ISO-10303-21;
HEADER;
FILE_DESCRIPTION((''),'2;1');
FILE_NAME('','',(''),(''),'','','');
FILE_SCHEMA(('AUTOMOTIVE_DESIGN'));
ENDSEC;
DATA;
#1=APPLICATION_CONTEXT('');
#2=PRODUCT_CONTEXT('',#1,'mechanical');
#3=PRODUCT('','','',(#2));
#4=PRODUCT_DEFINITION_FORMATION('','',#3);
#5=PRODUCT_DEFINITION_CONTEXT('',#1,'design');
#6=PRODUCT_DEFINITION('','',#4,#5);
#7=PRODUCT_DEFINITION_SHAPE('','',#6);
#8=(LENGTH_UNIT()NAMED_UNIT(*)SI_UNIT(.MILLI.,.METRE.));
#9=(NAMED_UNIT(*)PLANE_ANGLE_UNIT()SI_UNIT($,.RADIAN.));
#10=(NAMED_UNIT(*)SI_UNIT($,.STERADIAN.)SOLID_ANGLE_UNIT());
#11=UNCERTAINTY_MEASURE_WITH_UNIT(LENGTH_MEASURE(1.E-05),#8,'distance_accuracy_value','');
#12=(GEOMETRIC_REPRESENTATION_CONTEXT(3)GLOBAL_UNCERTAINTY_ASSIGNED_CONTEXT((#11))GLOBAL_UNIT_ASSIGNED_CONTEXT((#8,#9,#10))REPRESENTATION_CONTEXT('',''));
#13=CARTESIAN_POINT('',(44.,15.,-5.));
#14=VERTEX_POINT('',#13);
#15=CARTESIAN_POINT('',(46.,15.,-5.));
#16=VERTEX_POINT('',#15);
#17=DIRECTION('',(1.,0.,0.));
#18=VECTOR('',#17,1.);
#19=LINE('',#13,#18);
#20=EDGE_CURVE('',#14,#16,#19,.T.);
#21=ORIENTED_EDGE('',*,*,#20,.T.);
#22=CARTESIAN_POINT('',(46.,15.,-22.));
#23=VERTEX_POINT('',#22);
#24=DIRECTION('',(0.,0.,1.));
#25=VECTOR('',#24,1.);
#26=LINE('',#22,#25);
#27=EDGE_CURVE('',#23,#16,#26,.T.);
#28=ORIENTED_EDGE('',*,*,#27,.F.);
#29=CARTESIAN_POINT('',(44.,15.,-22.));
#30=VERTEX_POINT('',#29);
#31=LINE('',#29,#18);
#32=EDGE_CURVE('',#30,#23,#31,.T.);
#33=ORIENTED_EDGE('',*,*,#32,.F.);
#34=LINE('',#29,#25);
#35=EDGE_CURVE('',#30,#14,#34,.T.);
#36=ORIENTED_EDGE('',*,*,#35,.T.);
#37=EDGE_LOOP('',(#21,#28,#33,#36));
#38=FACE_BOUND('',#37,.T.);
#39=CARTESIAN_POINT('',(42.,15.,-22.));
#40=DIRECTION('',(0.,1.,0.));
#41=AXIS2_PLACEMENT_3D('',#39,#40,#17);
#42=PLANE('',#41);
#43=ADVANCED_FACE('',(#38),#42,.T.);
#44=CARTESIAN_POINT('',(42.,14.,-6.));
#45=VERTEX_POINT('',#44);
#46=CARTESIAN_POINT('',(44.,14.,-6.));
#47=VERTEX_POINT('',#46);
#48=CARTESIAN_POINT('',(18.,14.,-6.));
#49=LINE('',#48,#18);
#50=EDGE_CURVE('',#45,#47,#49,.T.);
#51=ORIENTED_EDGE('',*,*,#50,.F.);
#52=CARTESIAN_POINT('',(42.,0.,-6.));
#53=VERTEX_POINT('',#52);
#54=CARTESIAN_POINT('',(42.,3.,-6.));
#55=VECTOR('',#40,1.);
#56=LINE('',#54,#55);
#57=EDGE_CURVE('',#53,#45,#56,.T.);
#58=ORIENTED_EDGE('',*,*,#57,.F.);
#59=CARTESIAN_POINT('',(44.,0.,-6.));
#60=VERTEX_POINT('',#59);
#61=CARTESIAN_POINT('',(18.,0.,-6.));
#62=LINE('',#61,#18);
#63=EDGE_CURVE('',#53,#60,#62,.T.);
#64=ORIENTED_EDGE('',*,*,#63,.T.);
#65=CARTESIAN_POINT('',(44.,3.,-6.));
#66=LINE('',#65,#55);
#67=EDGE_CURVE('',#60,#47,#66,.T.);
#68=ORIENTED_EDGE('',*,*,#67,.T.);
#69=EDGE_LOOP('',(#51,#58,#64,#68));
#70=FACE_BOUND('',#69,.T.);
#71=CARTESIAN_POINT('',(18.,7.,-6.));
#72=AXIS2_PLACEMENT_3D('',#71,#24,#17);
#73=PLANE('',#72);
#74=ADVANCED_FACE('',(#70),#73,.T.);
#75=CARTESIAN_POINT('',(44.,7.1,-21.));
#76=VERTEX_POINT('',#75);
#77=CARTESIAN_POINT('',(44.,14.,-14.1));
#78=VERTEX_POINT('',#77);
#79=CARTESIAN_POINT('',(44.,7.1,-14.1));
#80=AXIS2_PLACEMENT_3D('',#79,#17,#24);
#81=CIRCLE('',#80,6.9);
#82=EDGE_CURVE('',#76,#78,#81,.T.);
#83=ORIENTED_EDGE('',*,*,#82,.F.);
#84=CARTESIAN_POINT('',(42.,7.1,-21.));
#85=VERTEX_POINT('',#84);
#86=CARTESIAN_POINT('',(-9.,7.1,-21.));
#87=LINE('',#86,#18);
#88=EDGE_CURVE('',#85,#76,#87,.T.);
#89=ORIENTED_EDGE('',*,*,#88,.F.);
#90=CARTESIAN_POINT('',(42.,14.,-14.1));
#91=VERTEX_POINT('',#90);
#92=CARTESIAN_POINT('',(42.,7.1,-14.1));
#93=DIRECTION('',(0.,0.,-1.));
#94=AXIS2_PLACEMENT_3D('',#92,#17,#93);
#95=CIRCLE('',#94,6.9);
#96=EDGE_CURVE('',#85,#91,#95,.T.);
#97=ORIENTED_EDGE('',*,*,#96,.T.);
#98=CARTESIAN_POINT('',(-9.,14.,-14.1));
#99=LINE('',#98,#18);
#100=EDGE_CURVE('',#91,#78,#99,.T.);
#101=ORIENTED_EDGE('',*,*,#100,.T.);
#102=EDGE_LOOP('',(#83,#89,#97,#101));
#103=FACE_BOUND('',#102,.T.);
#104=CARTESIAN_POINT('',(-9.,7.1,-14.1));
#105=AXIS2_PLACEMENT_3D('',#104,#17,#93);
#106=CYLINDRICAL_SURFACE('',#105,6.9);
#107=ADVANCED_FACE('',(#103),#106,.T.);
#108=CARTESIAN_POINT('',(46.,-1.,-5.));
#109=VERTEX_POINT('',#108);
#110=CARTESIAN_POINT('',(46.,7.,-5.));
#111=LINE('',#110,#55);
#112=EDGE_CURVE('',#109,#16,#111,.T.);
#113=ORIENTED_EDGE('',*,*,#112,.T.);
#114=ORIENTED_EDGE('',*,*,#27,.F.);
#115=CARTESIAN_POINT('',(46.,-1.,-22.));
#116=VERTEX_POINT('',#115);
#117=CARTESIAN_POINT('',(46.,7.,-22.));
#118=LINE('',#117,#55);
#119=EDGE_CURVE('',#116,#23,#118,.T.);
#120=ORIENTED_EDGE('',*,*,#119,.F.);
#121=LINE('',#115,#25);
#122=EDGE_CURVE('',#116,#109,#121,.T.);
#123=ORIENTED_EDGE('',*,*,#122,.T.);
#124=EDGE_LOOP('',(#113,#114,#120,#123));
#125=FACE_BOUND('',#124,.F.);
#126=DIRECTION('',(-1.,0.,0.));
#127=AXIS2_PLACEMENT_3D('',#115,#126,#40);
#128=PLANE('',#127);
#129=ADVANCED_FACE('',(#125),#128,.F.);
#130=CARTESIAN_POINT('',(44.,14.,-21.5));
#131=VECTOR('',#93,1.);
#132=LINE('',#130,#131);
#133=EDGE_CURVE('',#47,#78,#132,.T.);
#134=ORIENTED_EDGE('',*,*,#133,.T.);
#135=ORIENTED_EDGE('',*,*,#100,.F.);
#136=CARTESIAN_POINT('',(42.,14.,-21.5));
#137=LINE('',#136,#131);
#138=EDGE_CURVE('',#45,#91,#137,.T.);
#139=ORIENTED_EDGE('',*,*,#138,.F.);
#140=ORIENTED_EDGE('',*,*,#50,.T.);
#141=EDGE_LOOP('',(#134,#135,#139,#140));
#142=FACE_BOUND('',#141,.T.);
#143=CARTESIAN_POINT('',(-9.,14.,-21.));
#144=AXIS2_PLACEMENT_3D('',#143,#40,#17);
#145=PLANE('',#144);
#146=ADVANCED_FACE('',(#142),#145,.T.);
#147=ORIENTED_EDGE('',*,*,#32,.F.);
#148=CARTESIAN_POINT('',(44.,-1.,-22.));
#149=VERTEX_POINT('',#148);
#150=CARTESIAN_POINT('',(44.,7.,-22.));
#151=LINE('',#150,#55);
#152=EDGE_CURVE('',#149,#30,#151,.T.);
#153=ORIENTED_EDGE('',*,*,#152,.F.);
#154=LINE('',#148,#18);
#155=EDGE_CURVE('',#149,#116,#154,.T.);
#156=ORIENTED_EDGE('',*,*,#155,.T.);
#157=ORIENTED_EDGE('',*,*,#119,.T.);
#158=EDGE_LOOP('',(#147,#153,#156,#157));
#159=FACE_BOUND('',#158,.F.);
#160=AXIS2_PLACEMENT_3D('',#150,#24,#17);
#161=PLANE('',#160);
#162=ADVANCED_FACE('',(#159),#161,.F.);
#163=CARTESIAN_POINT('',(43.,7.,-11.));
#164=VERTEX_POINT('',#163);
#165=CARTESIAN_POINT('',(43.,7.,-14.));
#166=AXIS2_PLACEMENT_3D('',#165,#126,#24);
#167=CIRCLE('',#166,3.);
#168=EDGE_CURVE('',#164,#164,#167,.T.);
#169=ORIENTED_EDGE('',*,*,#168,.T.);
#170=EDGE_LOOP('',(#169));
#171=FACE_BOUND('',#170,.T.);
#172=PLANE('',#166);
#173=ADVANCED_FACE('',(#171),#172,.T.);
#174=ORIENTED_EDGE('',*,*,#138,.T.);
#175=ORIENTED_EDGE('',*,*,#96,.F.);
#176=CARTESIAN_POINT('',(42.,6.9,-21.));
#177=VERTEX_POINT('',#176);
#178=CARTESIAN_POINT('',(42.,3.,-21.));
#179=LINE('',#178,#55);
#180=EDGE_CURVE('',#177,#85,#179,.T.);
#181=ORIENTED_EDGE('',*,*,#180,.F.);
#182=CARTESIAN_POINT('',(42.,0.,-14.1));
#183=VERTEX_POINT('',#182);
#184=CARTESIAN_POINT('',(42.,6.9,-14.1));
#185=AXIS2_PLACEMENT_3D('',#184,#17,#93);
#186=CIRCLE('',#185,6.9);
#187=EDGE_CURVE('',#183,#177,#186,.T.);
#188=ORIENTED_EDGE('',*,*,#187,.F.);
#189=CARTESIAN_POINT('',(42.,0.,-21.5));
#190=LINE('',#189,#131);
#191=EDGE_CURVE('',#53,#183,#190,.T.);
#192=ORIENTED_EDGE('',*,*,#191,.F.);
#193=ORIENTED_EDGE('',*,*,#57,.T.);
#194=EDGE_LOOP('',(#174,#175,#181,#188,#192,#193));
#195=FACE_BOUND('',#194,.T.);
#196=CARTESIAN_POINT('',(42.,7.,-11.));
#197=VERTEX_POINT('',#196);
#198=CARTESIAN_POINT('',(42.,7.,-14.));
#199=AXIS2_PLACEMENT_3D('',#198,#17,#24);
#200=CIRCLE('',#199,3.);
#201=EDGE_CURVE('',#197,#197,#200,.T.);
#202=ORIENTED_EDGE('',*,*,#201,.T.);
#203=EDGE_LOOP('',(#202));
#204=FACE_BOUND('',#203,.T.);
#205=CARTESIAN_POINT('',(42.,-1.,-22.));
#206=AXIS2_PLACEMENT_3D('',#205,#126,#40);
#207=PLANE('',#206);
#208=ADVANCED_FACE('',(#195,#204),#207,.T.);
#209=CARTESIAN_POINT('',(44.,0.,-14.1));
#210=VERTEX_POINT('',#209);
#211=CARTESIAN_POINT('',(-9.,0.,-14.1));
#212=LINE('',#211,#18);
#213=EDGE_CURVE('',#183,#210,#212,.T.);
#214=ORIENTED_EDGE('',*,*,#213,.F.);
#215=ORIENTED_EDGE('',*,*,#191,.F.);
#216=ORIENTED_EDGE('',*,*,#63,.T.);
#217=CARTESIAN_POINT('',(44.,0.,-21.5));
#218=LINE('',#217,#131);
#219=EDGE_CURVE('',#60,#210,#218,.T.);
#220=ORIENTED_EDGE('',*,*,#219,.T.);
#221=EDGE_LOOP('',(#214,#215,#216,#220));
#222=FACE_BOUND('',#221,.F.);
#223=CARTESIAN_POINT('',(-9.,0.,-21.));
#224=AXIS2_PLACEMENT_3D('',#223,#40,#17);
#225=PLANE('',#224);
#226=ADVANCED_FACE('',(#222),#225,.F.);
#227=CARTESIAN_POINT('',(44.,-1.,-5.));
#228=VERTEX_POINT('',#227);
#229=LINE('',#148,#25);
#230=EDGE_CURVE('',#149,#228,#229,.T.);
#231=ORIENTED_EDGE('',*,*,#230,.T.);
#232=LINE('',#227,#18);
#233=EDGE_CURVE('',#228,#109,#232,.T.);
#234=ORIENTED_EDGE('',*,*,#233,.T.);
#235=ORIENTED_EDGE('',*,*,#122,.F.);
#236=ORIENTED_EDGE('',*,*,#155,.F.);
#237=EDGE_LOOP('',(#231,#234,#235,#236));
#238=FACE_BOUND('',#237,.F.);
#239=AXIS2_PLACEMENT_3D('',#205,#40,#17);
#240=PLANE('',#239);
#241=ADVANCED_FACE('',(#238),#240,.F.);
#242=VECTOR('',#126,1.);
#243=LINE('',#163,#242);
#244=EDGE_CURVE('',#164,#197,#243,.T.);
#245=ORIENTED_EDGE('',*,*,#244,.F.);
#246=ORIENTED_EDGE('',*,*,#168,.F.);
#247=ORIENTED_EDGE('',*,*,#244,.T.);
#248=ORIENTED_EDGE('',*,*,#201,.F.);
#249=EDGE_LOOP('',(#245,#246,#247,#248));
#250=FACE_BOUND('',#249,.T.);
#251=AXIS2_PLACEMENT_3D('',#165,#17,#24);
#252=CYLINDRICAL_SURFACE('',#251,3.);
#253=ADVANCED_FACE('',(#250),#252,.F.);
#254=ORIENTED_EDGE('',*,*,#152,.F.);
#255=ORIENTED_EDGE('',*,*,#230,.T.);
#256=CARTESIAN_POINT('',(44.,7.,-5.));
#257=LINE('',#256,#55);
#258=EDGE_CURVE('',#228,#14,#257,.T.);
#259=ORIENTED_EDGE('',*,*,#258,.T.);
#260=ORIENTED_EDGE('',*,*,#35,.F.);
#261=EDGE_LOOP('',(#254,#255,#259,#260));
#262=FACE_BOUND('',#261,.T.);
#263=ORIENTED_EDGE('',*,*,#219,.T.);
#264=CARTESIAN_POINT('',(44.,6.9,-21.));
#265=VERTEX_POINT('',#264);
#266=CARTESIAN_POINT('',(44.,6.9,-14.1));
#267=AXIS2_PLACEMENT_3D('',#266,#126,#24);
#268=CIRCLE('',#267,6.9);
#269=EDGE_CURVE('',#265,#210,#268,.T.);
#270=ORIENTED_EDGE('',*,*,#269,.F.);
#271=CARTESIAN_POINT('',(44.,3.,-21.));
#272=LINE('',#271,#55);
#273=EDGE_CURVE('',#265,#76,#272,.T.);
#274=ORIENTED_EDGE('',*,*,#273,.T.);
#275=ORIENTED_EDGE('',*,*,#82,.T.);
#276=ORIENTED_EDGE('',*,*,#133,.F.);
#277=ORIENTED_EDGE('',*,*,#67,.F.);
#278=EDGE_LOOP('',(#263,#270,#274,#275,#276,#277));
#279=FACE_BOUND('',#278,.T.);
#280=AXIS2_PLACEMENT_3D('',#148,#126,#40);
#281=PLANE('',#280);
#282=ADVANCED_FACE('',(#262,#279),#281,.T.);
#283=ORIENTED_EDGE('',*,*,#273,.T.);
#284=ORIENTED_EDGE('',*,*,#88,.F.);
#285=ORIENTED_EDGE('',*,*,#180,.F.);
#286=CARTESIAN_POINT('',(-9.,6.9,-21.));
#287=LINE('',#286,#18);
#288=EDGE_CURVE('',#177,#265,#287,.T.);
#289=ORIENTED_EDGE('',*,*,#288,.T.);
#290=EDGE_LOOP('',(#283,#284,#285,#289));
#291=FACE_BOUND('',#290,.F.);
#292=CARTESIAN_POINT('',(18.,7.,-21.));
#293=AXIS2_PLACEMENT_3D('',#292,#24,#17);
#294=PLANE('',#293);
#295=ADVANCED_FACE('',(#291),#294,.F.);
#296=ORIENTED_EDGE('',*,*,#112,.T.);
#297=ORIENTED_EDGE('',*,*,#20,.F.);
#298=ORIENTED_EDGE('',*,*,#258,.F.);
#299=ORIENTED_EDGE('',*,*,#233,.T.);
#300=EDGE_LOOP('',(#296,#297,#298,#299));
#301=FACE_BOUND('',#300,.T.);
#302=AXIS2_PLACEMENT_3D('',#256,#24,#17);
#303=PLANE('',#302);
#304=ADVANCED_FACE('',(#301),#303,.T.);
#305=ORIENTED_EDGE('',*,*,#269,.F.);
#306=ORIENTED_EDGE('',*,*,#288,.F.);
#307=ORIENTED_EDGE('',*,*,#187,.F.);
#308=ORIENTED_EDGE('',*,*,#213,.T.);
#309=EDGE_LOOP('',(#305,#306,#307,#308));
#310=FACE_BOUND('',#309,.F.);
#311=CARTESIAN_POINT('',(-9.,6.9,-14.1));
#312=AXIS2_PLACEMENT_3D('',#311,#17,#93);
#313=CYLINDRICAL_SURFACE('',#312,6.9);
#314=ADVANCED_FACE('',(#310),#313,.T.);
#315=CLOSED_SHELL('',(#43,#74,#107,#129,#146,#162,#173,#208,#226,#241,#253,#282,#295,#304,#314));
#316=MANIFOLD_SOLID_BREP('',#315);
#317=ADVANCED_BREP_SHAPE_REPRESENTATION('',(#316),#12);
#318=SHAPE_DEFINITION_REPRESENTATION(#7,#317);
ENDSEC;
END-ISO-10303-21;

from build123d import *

# Parameters (mm, degrees)
CYLINDER_R           = 3
CYLINDER_DEPTH       = 10
CYLINDER_PITCH_ANGLE = -90
BOX032_W             = 54
BOX032_H             = 14
BOX032_DEPTH         = 15
BOX033_W             = 54
BOX033_H             = 16
BOX033_DEPTH         = 17
FILLET002_R          = 6.9
FILLET003_R          = 6.9
BOX_W                = 4
BOX_H                = 16
BOX_DEPTH            = 17


with BuildPart() as cylinder:
    # Cylinder → Cylinder (new body)
    with BuildSketch(Plane.XY):
        Circle(CYLINDER_R)
    extrude(amount=CYLINDER_DEPTH)


with BuildPart() as cylinder_1:
    # Cylinder pitch: moved
    add(cylinder.part.rotate(Axis((0, 0, 0), (0, 1, 0)), CYLINDER_PITCH_ANGLE))


with BuildPart() as cylinder_2:
    # Cylinder placement: moved
    add(cylinder_1.part.moved(Location((47, 7, -14))))


with BuildPart() as batterypack004:
    # Box032 → Box032 (new body)
    with BuildSketch(Plane(origin=(-9, 0, -21), x_dir=(1, 0, 0), z_dir=(0, 0, 1))):
        with Locations((27, 7)):
            Rectangle(BOX032_W, BOX032_H)
    extrude(amount=BOX032_DEPTH)


with BuildPart() as fillet003:
    # Box033 → Box033 (new body)
    with BuildSketch(Plane(origin=(-10, -1, -22), x_dir=(1, 0, 0), z_dir=(0, 0, 1))):
        with Locations((27, 8)):
            Rectangle(BOX033_W, BOX033_H)
    extrude(amount=BOX033_DEPTH)

    # Cut001: cut BatteryPack004
    add(batterypack004.part, mode=Mode.SUBTRACT)

    # Fillet002
    fillet002_edges = [fillet003.edges().sort_by_distance(p)[0] for p in [
        (17.5, 0, -21),
    ]]
    fillet(fillet002_edges, radius=FILLET002_R)

    # Fillet003
    fillet003_edges = [fillet003.edges().sort_by_distance(p)[0] for p in [
        (17.5, 14, -21),
    ]]
    fillet(fillet003_edges, radius=FILLET003_R)


with BuildPart() as cap:
    # Box → Box (new body)
    with BuildSketch(Plane(origin=(42, -1, -22), x_dir=(1, 0, 0), z_dir=(0, 0, 1))):
        with Locations((2, 8)):
            Rectangle(BOX_W, BOX_H)
    extrude(amount=BOX_DEPTH)

    # Cut002: cut Fillet003
    add(fillet003.part, mode=Mode.SUBTRACT)


with BuildPart() as cap_1:
    # Cut002 placement: moved
    add(cap.part.moved(Location((4, 0, 0))))

    # Cut003: cut Cylinder
    add(cylinder_2.part, mode=Mode.SUBTRACT)


with BuildPart() as cap_2:
    # Cut003 placement: moved
    add(cap_1.part.moved(Location((-4, 0, 0))))


solid = cap_2.part
